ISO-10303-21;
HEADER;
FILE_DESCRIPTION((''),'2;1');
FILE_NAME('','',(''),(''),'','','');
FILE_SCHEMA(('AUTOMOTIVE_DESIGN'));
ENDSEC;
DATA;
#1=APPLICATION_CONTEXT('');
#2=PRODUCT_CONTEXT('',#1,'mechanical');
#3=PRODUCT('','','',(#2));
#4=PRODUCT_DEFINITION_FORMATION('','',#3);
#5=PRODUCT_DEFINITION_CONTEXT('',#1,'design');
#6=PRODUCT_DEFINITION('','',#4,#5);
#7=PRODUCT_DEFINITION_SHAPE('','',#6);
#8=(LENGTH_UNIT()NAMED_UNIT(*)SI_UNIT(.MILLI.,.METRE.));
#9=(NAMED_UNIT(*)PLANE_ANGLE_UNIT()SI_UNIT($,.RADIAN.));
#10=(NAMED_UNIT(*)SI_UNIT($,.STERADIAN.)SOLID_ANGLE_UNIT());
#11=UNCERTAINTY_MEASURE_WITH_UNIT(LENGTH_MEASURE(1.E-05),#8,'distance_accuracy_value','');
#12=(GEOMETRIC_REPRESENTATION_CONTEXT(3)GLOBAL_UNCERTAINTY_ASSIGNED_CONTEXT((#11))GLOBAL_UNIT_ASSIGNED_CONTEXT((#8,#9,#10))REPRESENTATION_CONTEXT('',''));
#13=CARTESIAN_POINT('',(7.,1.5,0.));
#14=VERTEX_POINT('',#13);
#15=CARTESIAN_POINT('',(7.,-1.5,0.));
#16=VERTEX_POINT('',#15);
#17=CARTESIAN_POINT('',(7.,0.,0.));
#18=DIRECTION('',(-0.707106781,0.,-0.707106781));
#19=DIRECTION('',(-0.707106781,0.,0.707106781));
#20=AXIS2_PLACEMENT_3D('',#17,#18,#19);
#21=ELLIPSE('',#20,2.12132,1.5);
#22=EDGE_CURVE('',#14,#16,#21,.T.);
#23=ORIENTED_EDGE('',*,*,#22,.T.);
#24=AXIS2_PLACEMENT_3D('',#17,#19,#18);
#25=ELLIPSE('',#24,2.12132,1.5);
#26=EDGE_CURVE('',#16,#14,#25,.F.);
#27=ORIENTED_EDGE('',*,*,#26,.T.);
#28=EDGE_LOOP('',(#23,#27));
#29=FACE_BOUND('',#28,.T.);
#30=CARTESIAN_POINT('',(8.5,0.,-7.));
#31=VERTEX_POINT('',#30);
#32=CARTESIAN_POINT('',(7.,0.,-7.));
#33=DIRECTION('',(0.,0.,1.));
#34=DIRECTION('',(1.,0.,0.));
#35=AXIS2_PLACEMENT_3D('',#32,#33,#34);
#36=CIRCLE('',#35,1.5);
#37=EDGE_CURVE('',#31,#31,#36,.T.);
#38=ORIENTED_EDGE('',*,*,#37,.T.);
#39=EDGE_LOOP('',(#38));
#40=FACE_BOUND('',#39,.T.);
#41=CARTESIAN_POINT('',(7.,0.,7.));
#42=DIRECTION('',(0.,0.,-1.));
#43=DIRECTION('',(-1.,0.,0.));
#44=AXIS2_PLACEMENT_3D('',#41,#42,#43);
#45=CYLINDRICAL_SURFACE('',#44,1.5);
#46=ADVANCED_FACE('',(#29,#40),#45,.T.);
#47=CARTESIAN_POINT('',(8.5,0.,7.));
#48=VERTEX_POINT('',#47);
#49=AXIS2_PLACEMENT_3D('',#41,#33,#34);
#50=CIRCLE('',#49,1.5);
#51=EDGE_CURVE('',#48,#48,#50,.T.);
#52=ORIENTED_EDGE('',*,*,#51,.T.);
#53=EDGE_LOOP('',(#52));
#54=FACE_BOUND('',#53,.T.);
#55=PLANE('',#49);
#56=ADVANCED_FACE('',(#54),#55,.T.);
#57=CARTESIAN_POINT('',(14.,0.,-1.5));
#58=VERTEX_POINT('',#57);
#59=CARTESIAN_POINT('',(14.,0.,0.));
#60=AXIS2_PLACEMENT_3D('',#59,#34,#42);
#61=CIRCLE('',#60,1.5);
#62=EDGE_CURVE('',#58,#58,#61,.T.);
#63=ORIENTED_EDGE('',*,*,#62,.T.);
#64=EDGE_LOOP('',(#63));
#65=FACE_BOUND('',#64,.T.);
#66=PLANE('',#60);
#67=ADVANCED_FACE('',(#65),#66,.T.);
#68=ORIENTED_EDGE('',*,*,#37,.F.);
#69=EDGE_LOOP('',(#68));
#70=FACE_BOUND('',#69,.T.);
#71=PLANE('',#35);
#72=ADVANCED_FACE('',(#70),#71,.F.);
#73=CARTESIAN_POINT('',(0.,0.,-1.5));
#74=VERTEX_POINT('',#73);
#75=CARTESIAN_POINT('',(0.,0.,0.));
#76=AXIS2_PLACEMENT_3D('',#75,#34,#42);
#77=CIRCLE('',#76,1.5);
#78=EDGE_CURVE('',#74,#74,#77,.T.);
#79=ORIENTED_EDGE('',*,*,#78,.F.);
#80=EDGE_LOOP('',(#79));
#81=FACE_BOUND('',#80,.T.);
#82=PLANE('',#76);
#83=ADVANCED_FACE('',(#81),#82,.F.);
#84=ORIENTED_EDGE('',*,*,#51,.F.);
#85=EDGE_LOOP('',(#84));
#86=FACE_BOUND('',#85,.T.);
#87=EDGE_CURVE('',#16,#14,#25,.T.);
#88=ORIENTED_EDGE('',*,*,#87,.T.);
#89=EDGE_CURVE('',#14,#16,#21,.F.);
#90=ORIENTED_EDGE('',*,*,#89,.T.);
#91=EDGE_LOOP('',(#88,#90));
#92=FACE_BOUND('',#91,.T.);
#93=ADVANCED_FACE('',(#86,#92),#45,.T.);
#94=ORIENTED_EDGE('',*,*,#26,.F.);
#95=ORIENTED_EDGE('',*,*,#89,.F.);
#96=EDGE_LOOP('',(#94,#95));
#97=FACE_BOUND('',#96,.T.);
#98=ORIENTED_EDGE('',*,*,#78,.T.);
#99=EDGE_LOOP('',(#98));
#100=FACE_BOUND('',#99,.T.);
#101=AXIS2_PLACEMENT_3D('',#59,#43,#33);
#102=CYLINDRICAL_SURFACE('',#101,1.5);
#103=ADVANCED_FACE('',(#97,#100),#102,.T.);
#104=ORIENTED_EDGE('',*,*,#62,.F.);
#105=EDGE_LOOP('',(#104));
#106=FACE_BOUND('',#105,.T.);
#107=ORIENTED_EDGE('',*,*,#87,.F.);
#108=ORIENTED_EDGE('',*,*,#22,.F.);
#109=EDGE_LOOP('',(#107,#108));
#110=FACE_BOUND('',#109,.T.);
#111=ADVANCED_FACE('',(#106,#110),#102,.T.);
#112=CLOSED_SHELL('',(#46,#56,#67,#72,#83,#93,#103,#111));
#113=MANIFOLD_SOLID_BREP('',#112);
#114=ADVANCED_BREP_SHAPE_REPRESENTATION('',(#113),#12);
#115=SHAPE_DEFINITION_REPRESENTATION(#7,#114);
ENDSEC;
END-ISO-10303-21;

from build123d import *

# Parameters (mm, degrees)
SKETCH_1_R      = 1.5
EXTRUDE_1_DEPTH = 14
SKETCH_2_R      = 1.5
EXTRUDE_2_DEPTH = 7


with BuildPart() as part:
    # 草图1 → 凸台-拉伸1 (new body)
    with BuildSketch(Plane(origin=(0, 0, 0), x_dir=(0, 0, -1), z_dir=(1, 0, 0))):
        Circle(SKETCH_1_R)
    extrude(amount=EXTRUDE_1_DEPTH)

    # 草图2 → 凸台-拉伸2 (add, symmetric)
    with BuildSketch(Plane.XY):
        with Locations(Location((7, 0, 0), (0, 0, 90))):
            Circle(SKETCH_2_R)
    extrude(amount=EXTRUDE_2_DEPTH, both=True)


solid = part.part
